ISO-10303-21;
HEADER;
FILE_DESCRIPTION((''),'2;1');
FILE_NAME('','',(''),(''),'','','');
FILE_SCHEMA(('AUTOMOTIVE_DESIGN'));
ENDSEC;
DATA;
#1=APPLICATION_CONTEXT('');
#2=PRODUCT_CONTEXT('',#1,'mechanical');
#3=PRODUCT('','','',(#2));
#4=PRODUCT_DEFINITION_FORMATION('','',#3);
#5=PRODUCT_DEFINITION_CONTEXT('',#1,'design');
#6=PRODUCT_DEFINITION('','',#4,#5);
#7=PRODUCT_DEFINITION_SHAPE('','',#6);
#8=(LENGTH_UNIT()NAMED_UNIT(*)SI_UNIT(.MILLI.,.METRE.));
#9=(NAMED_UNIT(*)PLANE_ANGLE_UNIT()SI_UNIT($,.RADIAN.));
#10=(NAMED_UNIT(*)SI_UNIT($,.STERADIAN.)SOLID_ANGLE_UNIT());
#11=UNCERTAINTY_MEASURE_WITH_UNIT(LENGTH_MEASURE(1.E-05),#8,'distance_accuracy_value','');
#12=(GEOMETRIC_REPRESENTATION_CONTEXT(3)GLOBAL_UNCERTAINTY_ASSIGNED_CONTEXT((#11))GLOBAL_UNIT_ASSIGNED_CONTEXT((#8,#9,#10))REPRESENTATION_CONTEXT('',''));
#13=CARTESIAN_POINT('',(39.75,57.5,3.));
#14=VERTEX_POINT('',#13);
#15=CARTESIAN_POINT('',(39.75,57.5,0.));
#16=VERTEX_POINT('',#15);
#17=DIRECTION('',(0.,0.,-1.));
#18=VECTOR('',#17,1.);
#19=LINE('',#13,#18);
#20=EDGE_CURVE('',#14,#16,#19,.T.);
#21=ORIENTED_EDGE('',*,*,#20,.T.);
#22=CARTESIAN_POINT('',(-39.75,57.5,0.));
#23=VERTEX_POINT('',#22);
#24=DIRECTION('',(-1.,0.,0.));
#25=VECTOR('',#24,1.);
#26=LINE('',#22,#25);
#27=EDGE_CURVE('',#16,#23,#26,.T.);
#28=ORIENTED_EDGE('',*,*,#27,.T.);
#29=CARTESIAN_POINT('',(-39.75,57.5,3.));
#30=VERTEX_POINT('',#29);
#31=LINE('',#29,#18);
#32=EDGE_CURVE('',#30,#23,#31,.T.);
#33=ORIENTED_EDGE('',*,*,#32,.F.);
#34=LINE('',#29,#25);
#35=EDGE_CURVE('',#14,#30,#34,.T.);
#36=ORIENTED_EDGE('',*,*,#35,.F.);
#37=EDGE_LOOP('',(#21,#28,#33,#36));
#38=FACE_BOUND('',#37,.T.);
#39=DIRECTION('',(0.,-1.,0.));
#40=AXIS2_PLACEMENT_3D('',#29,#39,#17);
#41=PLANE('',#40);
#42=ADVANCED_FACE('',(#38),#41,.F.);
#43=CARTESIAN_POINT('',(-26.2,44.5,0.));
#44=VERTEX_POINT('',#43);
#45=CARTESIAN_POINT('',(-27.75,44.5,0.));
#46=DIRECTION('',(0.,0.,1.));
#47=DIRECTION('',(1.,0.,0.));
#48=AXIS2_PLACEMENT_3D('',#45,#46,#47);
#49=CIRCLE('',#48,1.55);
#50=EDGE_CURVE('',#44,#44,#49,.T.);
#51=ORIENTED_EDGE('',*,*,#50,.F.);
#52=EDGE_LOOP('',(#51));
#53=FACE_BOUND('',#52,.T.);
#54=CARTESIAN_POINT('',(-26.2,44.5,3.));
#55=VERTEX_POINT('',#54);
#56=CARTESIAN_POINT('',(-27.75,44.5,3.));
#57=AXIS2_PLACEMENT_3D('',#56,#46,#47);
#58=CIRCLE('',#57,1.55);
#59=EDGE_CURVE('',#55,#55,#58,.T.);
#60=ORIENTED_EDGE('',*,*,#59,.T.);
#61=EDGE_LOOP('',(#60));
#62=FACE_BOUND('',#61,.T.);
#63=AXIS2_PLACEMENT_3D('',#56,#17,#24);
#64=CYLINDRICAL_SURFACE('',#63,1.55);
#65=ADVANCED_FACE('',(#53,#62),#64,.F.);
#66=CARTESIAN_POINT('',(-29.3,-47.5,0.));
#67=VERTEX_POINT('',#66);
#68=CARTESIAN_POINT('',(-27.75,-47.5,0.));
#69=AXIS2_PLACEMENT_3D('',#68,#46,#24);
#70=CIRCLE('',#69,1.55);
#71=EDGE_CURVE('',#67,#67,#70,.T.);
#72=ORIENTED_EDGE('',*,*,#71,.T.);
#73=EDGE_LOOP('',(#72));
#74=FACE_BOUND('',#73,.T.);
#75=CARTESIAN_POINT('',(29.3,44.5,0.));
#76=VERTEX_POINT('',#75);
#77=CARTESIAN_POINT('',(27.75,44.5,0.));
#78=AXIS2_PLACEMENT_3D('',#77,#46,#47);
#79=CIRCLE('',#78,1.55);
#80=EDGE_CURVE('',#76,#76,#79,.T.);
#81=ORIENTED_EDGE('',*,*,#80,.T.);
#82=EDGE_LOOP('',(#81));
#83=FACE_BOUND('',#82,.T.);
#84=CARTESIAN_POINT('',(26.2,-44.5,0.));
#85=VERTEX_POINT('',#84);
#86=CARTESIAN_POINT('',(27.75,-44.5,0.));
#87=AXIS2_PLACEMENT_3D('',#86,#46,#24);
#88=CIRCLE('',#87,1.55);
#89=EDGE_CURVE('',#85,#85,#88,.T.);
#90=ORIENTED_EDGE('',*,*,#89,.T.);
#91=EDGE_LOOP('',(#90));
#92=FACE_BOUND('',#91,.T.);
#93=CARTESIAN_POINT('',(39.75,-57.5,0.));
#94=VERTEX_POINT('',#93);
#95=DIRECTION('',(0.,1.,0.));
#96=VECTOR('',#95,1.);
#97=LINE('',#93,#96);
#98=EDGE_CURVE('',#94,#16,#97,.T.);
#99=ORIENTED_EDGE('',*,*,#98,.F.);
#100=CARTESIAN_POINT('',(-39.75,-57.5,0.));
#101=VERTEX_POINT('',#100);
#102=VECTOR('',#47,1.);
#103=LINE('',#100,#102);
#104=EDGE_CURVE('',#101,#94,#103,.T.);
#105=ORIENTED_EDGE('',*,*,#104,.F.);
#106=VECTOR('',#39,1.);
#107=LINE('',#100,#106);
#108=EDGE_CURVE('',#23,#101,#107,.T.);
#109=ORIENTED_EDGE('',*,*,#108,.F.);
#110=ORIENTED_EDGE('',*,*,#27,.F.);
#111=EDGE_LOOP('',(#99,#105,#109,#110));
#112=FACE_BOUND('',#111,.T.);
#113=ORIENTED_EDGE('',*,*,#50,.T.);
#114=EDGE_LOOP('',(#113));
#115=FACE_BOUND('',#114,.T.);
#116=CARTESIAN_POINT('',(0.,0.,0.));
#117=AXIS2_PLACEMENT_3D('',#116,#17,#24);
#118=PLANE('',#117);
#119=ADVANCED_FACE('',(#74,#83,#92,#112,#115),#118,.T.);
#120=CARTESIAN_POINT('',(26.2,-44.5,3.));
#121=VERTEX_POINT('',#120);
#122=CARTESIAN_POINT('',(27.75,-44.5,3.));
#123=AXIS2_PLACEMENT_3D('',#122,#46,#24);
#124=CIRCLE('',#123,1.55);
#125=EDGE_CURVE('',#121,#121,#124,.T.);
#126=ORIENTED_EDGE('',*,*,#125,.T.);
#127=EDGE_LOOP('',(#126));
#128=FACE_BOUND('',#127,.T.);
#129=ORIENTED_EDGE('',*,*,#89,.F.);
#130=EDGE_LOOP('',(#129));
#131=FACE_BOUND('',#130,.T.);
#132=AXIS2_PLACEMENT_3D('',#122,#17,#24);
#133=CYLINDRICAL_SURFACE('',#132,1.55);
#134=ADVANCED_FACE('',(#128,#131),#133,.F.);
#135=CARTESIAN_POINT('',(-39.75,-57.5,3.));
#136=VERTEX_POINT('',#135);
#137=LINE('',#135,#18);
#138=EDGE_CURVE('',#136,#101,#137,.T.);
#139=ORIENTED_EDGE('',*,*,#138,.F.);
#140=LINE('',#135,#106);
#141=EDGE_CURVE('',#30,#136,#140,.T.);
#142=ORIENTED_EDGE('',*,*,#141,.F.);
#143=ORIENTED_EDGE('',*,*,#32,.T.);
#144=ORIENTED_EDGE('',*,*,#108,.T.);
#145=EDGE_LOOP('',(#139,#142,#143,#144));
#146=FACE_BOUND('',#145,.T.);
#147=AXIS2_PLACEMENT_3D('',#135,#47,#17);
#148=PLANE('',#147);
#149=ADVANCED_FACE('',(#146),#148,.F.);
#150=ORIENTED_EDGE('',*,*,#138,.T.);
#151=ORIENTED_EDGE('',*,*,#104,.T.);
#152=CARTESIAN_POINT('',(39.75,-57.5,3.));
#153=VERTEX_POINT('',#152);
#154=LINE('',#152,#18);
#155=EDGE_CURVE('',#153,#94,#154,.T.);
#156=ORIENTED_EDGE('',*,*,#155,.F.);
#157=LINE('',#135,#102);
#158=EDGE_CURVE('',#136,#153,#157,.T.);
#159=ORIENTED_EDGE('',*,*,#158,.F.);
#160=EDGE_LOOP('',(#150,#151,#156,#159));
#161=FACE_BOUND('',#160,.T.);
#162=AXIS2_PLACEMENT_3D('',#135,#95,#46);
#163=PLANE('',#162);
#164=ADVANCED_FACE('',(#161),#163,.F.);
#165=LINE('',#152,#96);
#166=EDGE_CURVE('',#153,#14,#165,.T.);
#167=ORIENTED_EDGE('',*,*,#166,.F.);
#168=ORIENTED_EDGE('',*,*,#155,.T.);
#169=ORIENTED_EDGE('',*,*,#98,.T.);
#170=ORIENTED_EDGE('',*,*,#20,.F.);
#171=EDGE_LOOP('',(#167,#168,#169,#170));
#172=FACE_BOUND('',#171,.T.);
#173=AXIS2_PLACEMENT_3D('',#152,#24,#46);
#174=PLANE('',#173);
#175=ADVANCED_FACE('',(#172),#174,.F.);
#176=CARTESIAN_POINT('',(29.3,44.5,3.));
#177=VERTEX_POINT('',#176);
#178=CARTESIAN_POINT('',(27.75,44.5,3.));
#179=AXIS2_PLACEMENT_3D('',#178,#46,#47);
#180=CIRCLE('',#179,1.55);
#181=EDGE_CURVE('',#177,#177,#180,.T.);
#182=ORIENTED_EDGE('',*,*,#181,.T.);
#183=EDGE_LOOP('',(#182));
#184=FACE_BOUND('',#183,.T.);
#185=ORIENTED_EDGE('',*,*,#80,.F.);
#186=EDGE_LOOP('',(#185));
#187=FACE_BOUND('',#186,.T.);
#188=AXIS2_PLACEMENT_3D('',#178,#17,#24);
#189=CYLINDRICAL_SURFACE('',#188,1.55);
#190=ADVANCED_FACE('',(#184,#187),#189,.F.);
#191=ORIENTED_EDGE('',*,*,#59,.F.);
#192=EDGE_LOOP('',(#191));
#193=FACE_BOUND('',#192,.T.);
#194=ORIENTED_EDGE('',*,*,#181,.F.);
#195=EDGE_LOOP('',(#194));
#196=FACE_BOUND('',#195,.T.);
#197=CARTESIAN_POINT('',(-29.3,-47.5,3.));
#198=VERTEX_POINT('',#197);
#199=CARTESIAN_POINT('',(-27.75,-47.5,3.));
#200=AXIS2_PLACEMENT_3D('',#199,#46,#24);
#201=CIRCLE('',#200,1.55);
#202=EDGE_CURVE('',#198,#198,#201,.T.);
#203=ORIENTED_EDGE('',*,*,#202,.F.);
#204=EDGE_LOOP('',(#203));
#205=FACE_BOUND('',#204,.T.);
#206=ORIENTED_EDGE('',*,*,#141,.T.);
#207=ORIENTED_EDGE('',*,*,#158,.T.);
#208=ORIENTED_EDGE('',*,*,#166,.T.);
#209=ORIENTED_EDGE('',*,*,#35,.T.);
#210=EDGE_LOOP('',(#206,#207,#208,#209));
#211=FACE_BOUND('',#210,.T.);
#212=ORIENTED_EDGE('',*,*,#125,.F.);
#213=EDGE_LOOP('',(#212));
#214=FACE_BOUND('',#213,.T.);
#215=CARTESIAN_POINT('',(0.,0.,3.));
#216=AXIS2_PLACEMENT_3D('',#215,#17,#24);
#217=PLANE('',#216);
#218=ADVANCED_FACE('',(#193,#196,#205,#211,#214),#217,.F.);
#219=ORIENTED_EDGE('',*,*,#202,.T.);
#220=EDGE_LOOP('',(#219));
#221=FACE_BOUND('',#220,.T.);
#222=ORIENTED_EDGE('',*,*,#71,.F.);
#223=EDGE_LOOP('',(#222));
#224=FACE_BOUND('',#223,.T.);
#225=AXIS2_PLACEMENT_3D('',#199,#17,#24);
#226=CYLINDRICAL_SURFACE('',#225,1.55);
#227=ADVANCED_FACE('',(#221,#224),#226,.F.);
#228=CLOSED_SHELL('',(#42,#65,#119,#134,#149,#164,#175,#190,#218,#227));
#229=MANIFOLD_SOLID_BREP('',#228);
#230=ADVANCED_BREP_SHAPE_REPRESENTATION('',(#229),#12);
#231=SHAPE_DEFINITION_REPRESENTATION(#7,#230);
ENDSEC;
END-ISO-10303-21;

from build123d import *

# Parameters (mm, degrees)
SKETCH1_W           = 79.5
SKETCH1_H           = 115
SKETCH1_R           = 1.55
BOSS_EXTRUDE1_DEPTH = 3


with BuildPart() as part:
    # Sketch1 → Boss-Extrude1 (new body)
    with BuildSketch(Plane.XY):
        Rectangle(SKETCH1_W, SKETCH1_H)
        with Locations((-27.75, 44.5)):
            Circle(SKETCH1_R, mode=Mode.SUBTRACT)
        with Locations((27.75, 44.5)):
            Circle(SKETCH1_R, mode=Mode.SUBTRACT)
        with Locations((27.75, -44.5)):
            Circle(SKETCH1_R, mode=Mode.SUBTRACT)
        with Locations((-27.75, -47.5)):
            Circle(SKETCH1_R, mode=Mode.SUBTRACT)
    extrude(amount=BOSS_EXTRUDE1_DEPTH)


solid = part.part
